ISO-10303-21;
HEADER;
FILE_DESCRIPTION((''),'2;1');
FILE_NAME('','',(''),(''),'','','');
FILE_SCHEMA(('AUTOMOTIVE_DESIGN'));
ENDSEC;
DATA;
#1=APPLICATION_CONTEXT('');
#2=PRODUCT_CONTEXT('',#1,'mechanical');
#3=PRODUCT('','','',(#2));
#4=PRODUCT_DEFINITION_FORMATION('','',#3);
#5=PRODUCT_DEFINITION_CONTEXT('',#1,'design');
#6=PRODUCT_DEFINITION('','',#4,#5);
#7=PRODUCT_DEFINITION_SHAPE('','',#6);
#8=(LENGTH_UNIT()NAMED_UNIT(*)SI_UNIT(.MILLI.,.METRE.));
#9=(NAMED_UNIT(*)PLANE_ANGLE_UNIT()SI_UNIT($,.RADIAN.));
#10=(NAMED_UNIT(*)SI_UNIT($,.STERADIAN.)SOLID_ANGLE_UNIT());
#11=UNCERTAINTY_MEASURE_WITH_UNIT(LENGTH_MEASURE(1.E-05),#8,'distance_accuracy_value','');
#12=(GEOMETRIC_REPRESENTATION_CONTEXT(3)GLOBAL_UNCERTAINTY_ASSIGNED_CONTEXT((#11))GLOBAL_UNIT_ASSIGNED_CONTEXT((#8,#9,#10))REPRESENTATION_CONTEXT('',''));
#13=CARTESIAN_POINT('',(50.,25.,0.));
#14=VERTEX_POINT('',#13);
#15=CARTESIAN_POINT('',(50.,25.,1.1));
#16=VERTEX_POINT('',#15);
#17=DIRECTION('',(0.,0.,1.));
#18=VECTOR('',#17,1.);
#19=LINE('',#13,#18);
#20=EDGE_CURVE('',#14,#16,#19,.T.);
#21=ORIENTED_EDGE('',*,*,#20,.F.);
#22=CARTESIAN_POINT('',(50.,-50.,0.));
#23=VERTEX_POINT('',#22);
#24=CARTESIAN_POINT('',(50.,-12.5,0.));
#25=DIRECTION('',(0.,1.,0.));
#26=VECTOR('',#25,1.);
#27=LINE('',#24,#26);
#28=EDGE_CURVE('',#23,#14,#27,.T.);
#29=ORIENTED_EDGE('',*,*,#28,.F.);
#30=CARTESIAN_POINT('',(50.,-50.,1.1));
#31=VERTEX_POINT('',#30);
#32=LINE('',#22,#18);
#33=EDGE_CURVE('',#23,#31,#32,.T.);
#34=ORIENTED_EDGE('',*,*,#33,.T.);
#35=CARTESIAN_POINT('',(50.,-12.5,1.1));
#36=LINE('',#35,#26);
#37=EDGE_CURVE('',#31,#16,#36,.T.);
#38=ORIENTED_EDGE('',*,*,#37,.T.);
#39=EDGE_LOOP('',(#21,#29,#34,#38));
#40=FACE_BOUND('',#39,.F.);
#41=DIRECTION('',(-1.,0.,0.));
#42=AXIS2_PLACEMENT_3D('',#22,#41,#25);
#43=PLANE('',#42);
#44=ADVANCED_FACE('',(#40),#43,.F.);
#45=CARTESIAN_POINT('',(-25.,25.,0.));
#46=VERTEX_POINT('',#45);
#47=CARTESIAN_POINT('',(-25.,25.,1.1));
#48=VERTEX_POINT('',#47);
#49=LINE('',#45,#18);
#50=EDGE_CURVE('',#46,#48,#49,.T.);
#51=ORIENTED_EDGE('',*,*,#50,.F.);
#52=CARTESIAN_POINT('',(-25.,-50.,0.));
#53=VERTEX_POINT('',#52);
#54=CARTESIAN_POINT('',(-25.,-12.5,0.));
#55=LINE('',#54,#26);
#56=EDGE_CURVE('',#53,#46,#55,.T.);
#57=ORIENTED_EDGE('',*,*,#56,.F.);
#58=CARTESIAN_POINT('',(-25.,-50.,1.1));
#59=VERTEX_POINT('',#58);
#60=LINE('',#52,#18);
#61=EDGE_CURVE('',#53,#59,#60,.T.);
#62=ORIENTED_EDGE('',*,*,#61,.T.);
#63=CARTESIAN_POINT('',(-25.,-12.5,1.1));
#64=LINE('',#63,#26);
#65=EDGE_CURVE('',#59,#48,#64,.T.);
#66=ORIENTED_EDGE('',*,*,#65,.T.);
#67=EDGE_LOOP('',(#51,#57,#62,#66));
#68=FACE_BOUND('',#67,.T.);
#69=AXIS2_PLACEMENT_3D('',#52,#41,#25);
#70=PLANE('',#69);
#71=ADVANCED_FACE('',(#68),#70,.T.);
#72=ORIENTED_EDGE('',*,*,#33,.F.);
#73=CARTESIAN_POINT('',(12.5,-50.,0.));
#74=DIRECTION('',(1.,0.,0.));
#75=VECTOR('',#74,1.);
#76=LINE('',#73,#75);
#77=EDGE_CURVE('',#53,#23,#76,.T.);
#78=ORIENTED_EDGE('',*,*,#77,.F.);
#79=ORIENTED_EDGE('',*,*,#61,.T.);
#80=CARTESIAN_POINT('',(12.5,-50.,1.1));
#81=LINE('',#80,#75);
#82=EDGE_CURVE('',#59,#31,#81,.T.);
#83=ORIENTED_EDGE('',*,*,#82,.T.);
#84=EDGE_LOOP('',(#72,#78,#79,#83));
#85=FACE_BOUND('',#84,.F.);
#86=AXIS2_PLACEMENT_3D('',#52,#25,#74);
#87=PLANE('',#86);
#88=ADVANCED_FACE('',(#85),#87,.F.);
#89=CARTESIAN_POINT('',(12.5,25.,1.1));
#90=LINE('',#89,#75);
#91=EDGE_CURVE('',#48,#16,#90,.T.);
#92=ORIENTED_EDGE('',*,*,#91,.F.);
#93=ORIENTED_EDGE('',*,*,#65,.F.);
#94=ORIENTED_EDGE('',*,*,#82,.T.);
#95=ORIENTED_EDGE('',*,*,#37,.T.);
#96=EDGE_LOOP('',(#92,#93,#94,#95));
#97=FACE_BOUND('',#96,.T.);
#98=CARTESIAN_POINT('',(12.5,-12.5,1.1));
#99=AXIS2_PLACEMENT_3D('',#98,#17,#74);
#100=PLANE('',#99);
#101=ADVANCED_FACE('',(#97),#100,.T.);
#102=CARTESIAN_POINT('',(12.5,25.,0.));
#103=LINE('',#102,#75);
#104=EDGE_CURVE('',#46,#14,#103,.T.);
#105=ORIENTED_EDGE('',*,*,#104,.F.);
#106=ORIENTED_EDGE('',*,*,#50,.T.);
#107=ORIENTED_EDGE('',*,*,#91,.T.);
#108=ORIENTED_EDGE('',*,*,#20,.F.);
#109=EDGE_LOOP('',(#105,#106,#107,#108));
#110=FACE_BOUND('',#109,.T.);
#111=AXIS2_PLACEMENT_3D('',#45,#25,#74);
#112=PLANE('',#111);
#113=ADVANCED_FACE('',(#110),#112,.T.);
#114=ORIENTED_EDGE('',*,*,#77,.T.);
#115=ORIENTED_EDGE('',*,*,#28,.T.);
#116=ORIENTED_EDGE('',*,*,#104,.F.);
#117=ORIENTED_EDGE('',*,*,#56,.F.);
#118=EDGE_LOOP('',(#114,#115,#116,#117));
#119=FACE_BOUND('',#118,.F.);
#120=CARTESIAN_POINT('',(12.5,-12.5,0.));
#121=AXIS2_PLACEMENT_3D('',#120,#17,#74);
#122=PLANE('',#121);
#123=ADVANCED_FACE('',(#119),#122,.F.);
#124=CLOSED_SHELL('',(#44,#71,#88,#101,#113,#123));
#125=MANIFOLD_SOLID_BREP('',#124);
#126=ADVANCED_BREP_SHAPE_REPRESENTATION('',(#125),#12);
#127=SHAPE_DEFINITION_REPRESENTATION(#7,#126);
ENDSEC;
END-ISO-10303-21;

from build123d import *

# Parameters (mm, degrees)
SKETCH_1_W      = 75
SKETCH_1_H      = 75
EXTRUDE_1_DEPTH = 1.1


with BuildPart() as part:
    # 草图1 → 凸台-拉伸1 (new body)
    with BuildSketch(Plane.XY):
        with Locations((12.5, -12.5)):
            Rectangle(SKETCH_1_W, SKETCH_1_H)
    extrude(amount=EXTRUDE_1_DEPTH)


solid = part.part
